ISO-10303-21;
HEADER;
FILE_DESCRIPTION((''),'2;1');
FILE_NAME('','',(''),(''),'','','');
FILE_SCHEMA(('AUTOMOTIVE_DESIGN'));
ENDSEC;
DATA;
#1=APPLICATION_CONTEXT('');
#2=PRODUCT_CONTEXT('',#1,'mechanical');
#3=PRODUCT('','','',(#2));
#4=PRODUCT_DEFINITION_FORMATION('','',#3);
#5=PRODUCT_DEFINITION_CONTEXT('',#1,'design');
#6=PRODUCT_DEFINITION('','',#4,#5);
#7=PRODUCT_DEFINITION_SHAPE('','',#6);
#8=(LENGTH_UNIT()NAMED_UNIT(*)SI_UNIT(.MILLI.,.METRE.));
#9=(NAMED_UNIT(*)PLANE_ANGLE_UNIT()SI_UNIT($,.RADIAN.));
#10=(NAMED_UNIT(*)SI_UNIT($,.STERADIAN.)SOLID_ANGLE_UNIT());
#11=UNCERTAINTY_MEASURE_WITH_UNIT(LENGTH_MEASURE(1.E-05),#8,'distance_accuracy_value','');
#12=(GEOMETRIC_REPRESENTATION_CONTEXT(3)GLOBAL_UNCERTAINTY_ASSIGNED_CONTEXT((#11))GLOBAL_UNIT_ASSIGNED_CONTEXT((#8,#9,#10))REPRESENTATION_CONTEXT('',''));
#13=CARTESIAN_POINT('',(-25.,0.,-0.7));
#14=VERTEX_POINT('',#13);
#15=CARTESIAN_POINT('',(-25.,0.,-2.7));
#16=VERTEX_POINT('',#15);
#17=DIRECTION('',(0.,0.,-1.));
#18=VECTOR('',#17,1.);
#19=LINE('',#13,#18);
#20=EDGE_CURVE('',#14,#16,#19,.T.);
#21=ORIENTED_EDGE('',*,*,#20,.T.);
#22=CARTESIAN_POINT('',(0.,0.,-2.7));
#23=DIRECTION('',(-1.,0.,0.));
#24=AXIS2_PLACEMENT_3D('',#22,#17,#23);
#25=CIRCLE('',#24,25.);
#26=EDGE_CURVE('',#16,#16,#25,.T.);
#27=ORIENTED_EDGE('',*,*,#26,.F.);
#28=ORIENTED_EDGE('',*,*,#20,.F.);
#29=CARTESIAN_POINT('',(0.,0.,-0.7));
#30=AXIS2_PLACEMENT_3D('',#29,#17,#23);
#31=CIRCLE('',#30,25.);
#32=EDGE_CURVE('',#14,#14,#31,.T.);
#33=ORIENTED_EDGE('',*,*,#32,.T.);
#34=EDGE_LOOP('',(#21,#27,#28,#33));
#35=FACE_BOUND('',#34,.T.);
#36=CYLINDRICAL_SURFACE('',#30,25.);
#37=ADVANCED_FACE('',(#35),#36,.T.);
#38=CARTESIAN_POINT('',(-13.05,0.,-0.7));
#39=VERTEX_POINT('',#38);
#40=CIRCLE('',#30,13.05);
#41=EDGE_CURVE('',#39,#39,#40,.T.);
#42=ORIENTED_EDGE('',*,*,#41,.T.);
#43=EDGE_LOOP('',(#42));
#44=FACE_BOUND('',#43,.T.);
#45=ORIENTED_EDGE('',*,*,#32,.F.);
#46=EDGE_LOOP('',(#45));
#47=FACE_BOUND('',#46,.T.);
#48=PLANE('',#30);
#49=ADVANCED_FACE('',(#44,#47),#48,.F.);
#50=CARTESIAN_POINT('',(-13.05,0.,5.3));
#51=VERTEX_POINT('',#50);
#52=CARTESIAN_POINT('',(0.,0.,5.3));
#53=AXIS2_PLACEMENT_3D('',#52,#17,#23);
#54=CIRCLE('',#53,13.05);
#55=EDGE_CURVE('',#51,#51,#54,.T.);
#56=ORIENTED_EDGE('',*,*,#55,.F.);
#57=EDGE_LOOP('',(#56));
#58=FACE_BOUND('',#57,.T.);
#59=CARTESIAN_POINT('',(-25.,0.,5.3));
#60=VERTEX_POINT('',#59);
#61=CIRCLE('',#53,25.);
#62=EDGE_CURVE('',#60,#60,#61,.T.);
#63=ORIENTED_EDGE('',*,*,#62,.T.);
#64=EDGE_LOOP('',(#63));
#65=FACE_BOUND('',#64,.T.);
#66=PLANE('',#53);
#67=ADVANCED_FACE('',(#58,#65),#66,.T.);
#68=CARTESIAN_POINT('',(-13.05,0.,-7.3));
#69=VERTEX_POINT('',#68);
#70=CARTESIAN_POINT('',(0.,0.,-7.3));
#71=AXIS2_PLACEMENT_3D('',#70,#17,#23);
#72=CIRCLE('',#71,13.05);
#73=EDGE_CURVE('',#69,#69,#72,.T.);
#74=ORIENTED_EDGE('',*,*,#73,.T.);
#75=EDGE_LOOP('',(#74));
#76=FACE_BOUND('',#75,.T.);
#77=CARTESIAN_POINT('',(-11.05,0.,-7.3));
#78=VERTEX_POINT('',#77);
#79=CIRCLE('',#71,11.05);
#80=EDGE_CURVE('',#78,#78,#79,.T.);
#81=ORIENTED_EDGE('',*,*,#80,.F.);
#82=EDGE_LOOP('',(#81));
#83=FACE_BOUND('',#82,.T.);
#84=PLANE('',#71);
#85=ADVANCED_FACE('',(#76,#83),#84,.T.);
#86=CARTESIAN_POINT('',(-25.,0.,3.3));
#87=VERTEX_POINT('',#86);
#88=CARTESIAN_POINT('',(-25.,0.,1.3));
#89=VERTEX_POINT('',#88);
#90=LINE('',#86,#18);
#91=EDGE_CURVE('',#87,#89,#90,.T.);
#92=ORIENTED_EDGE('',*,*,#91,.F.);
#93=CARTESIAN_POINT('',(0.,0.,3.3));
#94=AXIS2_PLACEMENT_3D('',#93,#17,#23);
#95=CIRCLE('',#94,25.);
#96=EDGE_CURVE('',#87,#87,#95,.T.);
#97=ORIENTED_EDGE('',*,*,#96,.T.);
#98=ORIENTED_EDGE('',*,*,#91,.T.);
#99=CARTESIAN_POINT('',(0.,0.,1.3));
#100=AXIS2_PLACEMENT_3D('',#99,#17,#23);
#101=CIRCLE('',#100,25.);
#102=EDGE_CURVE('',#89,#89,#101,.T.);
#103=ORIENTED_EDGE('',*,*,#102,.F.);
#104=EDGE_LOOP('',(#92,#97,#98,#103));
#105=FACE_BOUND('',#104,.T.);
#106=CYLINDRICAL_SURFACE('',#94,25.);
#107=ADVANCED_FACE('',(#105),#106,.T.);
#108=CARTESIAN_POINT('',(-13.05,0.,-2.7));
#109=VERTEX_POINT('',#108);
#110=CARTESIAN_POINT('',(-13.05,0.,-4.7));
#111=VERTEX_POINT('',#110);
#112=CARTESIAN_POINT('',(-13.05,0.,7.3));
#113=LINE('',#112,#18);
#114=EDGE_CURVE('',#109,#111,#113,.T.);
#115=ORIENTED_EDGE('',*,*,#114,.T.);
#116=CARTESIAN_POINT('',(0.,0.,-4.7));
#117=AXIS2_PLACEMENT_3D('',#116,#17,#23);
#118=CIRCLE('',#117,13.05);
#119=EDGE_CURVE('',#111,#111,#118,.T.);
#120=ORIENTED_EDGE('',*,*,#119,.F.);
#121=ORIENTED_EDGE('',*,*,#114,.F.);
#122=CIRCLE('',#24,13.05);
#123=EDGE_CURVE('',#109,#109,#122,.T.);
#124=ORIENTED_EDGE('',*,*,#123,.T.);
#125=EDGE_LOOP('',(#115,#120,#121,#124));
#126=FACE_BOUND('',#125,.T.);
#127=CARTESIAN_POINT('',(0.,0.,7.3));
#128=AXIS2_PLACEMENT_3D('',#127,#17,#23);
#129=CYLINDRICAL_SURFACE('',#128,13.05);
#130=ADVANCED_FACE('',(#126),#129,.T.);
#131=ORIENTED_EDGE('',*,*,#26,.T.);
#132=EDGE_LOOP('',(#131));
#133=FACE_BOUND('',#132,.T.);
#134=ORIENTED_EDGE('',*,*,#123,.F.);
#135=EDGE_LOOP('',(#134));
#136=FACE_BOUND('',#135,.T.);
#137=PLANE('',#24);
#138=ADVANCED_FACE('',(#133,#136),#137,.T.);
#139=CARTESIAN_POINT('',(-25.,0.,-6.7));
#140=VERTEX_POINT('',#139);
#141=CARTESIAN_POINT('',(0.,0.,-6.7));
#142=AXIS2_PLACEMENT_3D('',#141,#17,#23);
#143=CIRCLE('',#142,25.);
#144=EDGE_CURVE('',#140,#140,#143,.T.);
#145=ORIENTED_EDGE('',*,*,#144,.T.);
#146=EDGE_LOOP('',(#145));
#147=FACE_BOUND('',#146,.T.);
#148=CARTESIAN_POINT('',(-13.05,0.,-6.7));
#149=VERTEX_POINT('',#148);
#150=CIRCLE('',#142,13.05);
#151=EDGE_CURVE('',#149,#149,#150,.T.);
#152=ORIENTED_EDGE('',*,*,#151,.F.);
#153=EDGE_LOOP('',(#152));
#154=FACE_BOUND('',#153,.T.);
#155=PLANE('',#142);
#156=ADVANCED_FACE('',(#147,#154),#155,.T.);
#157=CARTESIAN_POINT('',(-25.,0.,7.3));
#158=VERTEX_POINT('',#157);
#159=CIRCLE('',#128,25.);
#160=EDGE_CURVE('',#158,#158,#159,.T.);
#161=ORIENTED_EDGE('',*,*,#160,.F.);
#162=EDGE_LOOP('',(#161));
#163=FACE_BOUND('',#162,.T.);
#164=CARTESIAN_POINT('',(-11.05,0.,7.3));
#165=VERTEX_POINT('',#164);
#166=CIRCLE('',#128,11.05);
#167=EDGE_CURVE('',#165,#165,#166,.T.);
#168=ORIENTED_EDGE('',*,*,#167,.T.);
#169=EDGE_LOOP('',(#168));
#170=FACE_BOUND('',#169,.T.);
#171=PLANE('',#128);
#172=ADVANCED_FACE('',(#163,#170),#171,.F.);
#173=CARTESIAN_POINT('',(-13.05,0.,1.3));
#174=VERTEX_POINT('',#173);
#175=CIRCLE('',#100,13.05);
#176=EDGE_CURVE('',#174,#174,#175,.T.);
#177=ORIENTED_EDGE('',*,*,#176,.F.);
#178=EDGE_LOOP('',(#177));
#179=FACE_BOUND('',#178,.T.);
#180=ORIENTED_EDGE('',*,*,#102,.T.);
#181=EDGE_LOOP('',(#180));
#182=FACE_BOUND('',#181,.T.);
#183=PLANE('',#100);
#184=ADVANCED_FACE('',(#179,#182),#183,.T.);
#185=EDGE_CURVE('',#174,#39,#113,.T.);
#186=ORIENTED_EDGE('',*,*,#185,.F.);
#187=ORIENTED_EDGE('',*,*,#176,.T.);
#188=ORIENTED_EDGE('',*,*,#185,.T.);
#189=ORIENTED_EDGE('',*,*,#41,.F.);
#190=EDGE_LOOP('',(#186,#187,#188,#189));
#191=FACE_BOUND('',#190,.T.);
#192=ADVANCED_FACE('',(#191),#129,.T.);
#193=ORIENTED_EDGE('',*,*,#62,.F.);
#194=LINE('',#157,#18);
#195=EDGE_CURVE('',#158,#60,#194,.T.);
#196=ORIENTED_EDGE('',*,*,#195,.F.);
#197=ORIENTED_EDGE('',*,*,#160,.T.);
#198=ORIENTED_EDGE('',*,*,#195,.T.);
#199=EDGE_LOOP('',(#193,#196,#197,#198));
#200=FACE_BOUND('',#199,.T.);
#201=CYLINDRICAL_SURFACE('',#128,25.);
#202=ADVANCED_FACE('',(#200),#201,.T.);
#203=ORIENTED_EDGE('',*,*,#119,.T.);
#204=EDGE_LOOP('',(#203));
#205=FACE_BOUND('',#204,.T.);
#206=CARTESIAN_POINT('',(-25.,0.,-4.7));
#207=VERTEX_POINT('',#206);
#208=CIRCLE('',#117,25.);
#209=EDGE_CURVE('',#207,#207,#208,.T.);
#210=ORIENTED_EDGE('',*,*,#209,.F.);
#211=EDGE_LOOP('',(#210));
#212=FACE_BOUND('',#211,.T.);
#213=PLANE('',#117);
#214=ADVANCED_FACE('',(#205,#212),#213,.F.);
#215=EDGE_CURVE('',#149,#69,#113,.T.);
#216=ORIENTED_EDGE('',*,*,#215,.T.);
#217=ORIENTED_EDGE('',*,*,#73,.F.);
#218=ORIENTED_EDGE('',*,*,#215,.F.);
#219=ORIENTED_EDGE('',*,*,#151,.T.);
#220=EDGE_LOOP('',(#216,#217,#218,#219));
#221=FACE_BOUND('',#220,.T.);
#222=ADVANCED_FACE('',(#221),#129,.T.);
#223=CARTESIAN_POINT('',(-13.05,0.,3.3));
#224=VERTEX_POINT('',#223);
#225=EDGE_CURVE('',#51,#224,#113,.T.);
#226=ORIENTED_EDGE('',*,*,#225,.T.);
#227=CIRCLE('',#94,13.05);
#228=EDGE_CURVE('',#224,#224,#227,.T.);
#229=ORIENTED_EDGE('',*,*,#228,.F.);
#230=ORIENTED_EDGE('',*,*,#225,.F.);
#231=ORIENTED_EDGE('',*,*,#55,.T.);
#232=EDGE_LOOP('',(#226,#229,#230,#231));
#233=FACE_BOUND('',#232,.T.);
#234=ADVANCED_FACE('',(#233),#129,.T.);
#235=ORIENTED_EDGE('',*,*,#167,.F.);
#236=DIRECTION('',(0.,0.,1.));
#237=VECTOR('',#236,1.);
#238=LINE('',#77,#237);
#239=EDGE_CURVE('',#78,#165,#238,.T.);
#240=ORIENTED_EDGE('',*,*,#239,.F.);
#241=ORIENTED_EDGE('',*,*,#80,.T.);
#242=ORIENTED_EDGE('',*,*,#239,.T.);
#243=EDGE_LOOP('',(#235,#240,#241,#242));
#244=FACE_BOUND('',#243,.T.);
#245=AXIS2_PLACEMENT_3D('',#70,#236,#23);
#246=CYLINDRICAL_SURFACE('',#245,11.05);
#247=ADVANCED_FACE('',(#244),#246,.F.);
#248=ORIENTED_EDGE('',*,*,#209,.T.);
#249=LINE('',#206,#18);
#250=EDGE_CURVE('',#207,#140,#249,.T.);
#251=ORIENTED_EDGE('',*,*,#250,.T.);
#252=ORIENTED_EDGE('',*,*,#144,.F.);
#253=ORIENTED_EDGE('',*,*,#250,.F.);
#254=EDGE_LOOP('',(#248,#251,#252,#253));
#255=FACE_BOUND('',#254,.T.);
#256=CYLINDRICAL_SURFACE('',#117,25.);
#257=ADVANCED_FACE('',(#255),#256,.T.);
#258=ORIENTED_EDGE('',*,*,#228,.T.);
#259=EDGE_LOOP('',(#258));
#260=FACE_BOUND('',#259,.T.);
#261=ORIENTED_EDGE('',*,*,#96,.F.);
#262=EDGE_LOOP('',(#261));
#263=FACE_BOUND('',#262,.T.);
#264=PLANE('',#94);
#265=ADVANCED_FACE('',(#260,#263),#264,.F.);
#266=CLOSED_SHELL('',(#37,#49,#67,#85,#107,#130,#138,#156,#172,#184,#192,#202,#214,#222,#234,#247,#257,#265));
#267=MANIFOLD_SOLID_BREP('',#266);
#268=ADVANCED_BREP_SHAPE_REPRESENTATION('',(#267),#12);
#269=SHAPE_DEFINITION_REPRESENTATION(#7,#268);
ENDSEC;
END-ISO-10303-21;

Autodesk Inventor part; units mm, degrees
ref_plane "YZ Plane" through (0, 0, 0) normal (1, 0, 0) x (0, 1, 0)
ref_plane "XZ Plane" through (0, 0, 0) normal (0, 1, 0) x (-1, 0, 0)
ref_plane "XY Plane" through (0, 0, 0) normal (0, 0, 1) x (1, 0, 0)
sketch "Sketch1" plane through (0, 0, 0) normal (0, 1, 0) x (-1, 0, 0)
  line L0 (-11.05, -7.3) -> (11.05, -7.3)
  line L1 (11.05, -7.3) -> (11.05, 7.3)
  line L2 (11.05, 7.3) -> (-11.05, 7.3)
  line L3 (-11.05, 7.3) -> (-11.05, -7.3)
  line L4 (-11.05, -7.3) -> (11.05, 7.3) construction
  line L5 (11.05, -7.3) -> (-11.05, 7.3) construction
  line L6 (0, 3.6568) -> (0, -4.6339)
  line L7 (11.05, 7.3) -> (25, 7.3)
  line L8 (25, 7.3) -> (25, 5.3)
  line L9 (25, 5.3) -> (11.05, 5.3)
  line L10 (11.05, 5.3) -> (11.05, 7.3)
  line L11 (11.05, 7.3) -> (13.05, 7.3)
  line L12 (13.05, 7.3) -> (13.05, -7.3)
  line L13 (13.05, -7.3) -> (11.05, -7.3)
  line L14 (11.05, -7.3) -> (11.05, 7.3)
  line L15 (11.05, 1.3) -> (11.05, 3.3)
  line L16 (11.05, 3.3) -> (13.05, 3.3)
  line L17 (25, 1.3) -> (11.05, 1.3)
  line L18 (25, 3.3) -> (25, 1.3)
  line L19 (11.05, 3.3) -> (25, 3.3)
  line L20 (11.05, -2.7) -> (11.05, -0.7)
  line L21 (11.05, -0.7) -> (13.05, -0.7)
  line L22 (25, -2.7) -> (11.05, -2.7)
  line L23 (25, -0.7) -> (25, -2.7)
  line L24 (11.05, -0.7) -> (25, -0.7)
  line L25 (11.05, -6.7) -> (11.05, -4.7)
  line L26 (11.05, -4.7) -> (13.05, -4.7)
  line L27 (25, -6.7) -> (11.05, -6.7)
  line L28 (25, -4.7) -> (25, -6.7)
  line L29 (11.05, -4.7) -> (25, -4.7)
  point P0 (0, 0)
  dimension "d0" = 22.1
  dimension "d1" = 14.6
  dimension "d2" = 13.95
  dimension "d3" = 2
  dimension "d4" = 2
  dimension "d7" = 4
revolve "Revolution1" add sketch "Sketch1" angle 360 about axis through (0, 0, 3.6568) along (0, 0, -1) contours L1 L27 L12 L13 | L1 L26 L12 L27 | L7 L12 L9 L1 | L1 L22 L12 L26 | L12 L29 L28 L27 | L9 L12 L16 L1 | L7 L8 L9 L12 | L1 L21 L12 L22 | L16 L12 L17 L1 | L1 L17 L12 L21 | L12 L24 L23 L22 | L19 L18 L17 L12
properties part number "HeatSink-H14p6mm"
